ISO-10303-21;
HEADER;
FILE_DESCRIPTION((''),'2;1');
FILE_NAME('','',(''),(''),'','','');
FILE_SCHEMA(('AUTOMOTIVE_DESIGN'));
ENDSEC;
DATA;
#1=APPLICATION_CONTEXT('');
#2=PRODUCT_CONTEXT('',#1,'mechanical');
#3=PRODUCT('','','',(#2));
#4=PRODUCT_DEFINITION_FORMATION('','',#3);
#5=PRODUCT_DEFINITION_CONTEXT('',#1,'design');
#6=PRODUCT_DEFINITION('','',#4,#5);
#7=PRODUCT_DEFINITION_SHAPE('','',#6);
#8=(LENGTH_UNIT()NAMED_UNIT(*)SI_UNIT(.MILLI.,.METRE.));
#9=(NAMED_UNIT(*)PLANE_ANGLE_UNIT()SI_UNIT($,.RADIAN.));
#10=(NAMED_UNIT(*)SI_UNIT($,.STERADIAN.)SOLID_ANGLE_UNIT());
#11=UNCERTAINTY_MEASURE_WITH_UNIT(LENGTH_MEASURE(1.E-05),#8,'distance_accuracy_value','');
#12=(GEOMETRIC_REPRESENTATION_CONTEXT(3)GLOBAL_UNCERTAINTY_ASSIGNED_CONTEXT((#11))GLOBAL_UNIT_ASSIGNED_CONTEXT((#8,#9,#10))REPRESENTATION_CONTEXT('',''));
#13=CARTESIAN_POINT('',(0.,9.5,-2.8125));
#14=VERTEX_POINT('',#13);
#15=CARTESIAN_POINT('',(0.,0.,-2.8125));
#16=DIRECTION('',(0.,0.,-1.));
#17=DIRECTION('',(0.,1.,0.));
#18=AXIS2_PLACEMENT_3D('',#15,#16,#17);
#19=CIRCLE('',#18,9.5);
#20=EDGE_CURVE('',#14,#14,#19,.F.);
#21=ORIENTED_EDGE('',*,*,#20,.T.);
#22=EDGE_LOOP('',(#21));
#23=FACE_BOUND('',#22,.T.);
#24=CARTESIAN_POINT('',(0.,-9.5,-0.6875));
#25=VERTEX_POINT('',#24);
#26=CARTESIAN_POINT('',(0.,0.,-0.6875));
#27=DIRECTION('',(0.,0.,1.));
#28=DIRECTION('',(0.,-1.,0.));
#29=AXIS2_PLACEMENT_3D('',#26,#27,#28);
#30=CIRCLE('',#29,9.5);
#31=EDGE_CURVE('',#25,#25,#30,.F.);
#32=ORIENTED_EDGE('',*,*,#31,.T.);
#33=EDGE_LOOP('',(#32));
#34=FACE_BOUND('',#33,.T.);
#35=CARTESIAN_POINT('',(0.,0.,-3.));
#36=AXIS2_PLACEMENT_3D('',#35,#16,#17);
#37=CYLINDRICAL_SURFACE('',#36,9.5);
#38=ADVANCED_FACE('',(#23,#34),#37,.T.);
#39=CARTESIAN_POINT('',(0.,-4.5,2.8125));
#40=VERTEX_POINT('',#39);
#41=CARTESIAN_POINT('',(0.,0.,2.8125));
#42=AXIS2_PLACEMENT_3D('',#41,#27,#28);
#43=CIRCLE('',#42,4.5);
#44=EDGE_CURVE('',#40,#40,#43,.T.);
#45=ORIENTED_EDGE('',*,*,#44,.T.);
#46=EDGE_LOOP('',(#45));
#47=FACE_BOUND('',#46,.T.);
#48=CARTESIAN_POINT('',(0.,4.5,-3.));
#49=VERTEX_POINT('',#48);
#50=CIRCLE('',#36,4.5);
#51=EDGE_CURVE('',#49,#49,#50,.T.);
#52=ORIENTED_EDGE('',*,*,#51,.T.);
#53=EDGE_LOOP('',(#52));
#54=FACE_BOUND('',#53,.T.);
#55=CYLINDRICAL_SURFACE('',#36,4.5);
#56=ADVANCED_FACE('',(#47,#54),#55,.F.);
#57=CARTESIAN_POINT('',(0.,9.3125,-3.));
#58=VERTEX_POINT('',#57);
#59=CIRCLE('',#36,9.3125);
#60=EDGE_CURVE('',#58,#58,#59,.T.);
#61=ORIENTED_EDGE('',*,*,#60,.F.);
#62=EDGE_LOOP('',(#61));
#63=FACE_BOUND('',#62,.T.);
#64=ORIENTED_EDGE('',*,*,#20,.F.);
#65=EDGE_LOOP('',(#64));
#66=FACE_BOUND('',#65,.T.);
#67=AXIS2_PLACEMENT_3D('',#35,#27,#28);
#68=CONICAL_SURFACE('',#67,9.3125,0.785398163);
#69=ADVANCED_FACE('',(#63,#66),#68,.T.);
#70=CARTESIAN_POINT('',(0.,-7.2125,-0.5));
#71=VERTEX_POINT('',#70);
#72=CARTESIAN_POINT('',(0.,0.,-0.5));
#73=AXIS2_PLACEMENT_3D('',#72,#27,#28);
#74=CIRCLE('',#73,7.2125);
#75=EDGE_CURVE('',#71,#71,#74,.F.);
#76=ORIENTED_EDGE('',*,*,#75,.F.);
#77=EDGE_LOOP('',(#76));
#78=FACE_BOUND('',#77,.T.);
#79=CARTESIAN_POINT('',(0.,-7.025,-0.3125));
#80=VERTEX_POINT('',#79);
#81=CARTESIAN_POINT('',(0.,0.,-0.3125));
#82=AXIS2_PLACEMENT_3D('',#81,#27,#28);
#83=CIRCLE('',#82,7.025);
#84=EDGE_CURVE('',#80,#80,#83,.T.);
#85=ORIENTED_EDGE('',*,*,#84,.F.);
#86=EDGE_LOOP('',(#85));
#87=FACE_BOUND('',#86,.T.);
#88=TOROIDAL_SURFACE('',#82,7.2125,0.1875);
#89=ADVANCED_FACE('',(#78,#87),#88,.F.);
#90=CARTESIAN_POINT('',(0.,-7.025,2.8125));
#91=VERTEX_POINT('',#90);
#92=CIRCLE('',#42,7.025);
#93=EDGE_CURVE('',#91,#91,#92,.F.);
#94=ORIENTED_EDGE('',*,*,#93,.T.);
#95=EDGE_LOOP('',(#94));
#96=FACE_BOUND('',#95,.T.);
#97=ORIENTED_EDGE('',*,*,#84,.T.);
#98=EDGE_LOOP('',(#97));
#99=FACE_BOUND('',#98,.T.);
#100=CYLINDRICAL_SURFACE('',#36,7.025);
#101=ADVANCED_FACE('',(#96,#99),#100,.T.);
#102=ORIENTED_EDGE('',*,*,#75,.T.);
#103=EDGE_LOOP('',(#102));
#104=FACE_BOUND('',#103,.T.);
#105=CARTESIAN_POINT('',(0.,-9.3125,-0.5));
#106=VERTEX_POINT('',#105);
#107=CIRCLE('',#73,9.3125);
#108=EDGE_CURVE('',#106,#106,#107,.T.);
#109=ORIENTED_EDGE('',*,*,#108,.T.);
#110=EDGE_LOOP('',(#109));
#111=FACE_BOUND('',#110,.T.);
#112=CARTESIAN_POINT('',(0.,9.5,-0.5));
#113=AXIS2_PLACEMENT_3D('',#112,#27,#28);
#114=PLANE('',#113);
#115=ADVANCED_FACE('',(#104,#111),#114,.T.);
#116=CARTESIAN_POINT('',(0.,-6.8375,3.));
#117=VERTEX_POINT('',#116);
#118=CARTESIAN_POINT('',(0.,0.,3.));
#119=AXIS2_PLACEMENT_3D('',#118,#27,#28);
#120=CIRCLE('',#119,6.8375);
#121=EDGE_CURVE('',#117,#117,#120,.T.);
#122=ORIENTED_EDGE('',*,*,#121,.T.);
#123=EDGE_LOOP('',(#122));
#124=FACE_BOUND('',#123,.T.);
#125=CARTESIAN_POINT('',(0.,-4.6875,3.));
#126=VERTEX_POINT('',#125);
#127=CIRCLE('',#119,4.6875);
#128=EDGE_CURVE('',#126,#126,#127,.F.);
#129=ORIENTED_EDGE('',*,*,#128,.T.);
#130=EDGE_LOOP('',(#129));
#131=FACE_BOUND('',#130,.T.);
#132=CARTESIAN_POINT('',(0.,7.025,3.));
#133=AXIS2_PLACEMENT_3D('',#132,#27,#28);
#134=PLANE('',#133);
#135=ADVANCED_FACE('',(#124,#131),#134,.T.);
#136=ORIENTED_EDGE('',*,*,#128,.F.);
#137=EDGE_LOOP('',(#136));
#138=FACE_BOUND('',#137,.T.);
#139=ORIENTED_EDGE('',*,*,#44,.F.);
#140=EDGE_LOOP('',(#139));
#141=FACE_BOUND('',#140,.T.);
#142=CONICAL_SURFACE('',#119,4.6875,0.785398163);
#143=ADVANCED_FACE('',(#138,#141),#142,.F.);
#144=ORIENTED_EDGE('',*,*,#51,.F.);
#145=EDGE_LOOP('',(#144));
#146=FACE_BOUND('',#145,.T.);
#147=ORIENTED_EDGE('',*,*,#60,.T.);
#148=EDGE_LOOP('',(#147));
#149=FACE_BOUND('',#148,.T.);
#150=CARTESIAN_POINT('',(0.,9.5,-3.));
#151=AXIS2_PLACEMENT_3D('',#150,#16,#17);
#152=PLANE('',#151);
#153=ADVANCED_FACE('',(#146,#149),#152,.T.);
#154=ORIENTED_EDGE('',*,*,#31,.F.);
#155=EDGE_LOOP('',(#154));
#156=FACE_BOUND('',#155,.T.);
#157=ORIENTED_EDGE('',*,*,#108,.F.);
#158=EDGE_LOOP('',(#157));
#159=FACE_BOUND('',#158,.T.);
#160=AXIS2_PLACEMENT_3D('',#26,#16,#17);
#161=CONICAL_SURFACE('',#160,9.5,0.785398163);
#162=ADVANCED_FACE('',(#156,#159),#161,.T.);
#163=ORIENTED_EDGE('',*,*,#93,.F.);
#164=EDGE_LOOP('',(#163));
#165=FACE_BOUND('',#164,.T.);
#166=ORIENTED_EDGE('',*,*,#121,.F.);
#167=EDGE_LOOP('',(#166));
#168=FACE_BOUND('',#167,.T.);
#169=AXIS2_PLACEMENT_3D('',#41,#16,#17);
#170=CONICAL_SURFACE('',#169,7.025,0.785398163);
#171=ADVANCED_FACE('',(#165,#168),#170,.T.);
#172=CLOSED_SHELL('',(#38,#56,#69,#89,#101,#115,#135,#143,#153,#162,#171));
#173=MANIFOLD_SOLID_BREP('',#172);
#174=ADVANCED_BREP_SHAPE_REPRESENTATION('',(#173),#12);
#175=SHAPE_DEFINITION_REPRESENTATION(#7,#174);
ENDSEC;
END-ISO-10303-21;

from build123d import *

# Parameters (mm, degrees)
CHAMFER1_SIZE = 0.1875
FILLET1_R     = 0.1875


with BuildPart() as part:
    # Sketch3 → Revolve1 (revolve)
    with BuildSketch(Plane(origin=(0, 0, 0), x_dir=(0, 0, -1), z_dir=(1, 0, 0))):
        Polygon((3, 9.5), (0.5, 9.5), (0.5, 7.025), (-3, 7.025), (-3, 4.5), (3, 4.5), align=None)
    revolve(axis=Axis((0, 0, -3), (0, 0, 1)))

    # Chamfer1
    chamfer1_edges = [part.edges().sort_by_distance(p)[0] for p in [
        (0, -4.5, 3),
        (0, -7.025, 3),
        (0, -9.5, -0.5),
        (0, -9.5, -3),
    ]]
    chamfer(chamfer1_edges, length=CHAMFER1_SIZE)

    # Fillet1
    fillet1_edges = [part.edges().sort_by_distance(p)[0] for p in [
        (0, -7.025, -0.5),
    ]]
    fillet(fillet1_edges, radius=FILLET1_R)


solid = part.part
